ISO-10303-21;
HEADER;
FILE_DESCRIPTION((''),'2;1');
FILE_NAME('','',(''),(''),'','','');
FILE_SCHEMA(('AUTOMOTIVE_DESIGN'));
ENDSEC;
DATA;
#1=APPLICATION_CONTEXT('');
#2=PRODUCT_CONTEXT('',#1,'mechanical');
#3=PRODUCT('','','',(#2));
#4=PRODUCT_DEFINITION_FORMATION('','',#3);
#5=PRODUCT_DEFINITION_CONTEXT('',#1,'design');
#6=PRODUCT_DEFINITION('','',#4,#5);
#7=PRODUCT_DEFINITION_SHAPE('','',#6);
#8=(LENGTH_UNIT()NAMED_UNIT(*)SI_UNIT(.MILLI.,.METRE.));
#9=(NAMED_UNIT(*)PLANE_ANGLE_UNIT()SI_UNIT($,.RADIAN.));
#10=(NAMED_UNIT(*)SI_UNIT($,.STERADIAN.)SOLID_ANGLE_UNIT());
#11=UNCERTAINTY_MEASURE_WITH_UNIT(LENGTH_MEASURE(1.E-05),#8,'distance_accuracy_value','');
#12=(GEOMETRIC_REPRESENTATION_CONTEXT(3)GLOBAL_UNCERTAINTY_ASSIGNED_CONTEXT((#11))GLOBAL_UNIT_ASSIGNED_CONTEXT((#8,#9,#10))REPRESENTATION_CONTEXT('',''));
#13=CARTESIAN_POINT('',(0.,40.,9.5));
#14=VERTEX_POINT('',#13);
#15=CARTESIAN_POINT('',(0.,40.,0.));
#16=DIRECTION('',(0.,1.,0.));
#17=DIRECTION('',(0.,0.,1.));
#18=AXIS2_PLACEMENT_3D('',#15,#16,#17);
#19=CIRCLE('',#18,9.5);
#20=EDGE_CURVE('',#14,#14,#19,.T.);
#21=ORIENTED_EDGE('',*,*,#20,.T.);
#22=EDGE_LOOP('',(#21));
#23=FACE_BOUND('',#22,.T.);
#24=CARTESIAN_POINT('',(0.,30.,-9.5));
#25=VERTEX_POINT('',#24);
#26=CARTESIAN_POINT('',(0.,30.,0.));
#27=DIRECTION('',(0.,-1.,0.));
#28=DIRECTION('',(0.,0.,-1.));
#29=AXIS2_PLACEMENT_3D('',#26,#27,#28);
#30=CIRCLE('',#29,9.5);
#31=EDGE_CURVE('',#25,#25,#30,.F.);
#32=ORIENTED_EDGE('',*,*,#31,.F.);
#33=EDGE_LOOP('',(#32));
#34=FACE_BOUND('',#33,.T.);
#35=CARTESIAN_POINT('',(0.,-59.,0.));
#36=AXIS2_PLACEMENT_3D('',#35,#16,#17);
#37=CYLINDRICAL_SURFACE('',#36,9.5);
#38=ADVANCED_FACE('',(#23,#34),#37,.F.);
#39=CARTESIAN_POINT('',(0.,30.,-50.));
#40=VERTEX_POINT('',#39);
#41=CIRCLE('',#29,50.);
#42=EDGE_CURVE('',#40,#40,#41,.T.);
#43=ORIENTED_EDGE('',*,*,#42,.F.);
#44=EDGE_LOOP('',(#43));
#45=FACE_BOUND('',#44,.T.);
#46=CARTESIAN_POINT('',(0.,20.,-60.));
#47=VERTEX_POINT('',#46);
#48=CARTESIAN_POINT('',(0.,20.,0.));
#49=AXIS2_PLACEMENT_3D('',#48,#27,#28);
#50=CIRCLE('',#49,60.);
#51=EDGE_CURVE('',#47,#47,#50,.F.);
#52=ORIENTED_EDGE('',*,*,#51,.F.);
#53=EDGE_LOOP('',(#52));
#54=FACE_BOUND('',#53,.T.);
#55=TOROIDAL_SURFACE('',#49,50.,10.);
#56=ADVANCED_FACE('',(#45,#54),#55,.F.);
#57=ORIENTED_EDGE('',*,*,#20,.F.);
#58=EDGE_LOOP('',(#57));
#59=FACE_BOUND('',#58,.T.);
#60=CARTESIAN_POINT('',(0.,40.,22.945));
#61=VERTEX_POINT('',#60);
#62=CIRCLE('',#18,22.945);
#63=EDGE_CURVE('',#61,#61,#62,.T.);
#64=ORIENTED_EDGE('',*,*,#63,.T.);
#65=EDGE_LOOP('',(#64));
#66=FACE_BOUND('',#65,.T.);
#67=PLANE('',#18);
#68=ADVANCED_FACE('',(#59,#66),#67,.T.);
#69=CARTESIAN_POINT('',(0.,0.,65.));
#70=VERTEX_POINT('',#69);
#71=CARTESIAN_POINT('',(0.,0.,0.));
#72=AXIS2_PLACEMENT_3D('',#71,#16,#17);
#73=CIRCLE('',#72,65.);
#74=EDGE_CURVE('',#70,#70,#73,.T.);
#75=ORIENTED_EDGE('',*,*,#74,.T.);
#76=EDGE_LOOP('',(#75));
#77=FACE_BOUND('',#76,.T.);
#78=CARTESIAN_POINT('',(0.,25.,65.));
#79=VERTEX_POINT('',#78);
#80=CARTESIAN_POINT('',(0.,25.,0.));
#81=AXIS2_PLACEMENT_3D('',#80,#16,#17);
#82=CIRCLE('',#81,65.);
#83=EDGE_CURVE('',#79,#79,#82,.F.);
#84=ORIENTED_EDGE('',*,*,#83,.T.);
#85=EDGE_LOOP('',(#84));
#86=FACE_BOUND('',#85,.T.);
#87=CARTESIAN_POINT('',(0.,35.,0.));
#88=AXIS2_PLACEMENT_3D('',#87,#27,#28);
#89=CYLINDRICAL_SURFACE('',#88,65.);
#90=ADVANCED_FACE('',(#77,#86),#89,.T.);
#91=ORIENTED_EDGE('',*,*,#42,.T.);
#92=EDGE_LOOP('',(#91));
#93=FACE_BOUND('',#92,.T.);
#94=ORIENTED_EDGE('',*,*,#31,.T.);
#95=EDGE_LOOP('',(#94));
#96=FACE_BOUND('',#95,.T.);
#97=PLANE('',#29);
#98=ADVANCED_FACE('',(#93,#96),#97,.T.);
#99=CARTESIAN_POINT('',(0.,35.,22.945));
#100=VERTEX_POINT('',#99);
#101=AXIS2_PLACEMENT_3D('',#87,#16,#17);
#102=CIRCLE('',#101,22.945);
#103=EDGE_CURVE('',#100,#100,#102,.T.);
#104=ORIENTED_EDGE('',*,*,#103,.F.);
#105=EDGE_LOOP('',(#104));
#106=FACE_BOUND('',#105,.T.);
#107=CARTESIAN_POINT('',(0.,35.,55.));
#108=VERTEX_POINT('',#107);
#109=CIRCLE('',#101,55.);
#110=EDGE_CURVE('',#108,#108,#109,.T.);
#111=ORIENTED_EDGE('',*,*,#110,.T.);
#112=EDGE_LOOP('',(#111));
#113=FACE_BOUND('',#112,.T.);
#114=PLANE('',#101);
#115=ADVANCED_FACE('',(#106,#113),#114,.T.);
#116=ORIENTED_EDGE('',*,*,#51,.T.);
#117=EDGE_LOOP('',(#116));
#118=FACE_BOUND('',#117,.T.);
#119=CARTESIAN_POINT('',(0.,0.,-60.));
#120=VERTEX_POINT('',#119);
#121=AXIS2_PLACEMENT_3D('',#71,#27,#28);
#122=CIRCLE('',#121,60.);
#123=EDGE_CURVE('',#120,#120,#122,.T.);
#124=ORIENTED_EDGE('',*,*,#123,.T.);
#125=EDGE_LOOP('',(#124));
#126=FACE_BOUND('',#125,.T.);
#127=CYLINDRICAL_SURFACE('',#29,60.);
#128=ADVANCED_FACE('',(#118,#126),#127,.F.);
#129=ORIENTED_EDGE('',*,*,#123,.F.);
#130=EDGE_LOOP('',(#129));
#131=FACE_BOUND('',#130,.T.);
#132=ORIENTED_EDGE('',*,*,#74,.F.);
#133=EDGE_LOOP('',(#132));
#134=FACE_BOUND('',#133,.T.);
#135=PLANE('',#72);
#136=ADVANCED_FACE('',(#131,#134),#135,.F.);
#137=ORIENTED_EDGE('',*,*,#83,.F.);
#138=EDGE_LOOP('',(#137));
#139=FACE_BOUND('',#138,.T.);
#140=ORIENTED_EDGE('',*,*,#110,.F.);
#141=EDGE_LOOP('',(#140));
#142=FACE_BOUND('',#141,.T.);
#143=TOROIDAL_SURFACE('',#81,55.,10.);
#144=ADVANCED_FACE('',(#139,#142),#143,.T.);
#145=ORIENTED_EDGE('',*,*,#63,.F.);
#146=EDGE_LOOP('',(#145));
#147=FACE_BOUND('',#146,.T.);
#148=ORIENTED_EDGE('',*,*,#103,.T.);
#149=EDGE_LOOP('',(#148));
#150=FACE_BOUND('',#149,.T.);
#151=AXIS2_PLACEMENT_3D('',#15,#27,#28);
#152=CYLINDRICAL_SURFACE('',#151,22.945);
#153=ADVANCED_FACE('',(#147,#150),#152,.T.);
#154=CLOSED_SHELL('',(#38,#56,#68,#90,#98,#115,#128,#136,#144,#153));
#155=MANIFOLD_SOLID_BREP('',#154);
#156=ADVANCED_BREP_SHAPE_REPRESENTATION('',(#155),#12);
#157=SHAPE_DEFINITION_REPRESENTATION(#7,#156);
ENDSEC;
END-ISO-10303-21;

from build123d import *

# Parameters (mm, degrees)
SKETCH1_R           = 65
BOSS_EXTRUDE1_DEPTH = 35
SKETCH2_R           = 22.945
BOSS_EXTRUDE2_DEPTH = 5
SKETCH3_R           = 9.5
CUT_EXTRUDE1_DEPTH  = 99
SKETCH4_R           = 60
CUT_EXTRUDE2_DEPTH  = 30
FILLET1_R           = 10
FILLET2_R           = 10


with BuildPart() as part:
    # Sketch1 → Boss-Extrude1 (new body)
    with BuildSketch(Plane(origin=(0, 0, 0), x_dir=(1, 0, 0), z_dir=(0, 1, 0))):
        with Locations(Location((0, 0, 0), (0, 0, 270))):
            Circle(SKETCH1_R)
    extrude(amount=BOSS_EXTRUDE1_DEPTH)

    # Sketch2 → Boss-Extrude2 (add)
    with BuildSketch(Plane(origin=(0, 35, 0), x_dir=(1, 0, 0), z_dir=(0, 1, 0))):
        with Locations(Location((0, 0, 0), (0, 0, 270))):
            Circle(SKETCH2_R)
    extrude(amount=BOSS_EXTRUDE2_DEPTH)

    # Sketch3 → Cut-Extrude1 (cut)
    with BuildSketch(Plane(origin=(0, 40, 0), x_dir=(1, 0, 0), z_dir=(0, 1, 0))):
        with Locations(Location((0, 0, 0), (0, 0, 270))):
            Circle(SKETCH3_R)
    extrude(amount=-CUT_EXTRUDE1_DEPTH, mode=Mode.SUBTRACT)

    # Sketch4 → Cut-Extrude2 (cut)
    with BuildSketch(Plane.XZ):
        with Locations(Location((0, 0, 0), (0, 0, 270))):
            Circle(SKETCH4_R)
    extrude(amount=-CUT_EXTRUDE2_DEPTH, mode=Mode.SUBTRACT)

    # Fillet1
    fillet1_edges = [part.edges().sort_by_distance(p)[0] for p in [
        (0, 35, -65),
    ]]
    fillet(fillet1_edges, radius=FILLET1_R)

    # Fillet2
    fillet2_edges = [part.edges().sort_by_distance(p)[0] for p in [
        (0, 30, 60),
    ]]
    fillet(fillet2_edges, radius=FILLET2_R)


solid = part.part
